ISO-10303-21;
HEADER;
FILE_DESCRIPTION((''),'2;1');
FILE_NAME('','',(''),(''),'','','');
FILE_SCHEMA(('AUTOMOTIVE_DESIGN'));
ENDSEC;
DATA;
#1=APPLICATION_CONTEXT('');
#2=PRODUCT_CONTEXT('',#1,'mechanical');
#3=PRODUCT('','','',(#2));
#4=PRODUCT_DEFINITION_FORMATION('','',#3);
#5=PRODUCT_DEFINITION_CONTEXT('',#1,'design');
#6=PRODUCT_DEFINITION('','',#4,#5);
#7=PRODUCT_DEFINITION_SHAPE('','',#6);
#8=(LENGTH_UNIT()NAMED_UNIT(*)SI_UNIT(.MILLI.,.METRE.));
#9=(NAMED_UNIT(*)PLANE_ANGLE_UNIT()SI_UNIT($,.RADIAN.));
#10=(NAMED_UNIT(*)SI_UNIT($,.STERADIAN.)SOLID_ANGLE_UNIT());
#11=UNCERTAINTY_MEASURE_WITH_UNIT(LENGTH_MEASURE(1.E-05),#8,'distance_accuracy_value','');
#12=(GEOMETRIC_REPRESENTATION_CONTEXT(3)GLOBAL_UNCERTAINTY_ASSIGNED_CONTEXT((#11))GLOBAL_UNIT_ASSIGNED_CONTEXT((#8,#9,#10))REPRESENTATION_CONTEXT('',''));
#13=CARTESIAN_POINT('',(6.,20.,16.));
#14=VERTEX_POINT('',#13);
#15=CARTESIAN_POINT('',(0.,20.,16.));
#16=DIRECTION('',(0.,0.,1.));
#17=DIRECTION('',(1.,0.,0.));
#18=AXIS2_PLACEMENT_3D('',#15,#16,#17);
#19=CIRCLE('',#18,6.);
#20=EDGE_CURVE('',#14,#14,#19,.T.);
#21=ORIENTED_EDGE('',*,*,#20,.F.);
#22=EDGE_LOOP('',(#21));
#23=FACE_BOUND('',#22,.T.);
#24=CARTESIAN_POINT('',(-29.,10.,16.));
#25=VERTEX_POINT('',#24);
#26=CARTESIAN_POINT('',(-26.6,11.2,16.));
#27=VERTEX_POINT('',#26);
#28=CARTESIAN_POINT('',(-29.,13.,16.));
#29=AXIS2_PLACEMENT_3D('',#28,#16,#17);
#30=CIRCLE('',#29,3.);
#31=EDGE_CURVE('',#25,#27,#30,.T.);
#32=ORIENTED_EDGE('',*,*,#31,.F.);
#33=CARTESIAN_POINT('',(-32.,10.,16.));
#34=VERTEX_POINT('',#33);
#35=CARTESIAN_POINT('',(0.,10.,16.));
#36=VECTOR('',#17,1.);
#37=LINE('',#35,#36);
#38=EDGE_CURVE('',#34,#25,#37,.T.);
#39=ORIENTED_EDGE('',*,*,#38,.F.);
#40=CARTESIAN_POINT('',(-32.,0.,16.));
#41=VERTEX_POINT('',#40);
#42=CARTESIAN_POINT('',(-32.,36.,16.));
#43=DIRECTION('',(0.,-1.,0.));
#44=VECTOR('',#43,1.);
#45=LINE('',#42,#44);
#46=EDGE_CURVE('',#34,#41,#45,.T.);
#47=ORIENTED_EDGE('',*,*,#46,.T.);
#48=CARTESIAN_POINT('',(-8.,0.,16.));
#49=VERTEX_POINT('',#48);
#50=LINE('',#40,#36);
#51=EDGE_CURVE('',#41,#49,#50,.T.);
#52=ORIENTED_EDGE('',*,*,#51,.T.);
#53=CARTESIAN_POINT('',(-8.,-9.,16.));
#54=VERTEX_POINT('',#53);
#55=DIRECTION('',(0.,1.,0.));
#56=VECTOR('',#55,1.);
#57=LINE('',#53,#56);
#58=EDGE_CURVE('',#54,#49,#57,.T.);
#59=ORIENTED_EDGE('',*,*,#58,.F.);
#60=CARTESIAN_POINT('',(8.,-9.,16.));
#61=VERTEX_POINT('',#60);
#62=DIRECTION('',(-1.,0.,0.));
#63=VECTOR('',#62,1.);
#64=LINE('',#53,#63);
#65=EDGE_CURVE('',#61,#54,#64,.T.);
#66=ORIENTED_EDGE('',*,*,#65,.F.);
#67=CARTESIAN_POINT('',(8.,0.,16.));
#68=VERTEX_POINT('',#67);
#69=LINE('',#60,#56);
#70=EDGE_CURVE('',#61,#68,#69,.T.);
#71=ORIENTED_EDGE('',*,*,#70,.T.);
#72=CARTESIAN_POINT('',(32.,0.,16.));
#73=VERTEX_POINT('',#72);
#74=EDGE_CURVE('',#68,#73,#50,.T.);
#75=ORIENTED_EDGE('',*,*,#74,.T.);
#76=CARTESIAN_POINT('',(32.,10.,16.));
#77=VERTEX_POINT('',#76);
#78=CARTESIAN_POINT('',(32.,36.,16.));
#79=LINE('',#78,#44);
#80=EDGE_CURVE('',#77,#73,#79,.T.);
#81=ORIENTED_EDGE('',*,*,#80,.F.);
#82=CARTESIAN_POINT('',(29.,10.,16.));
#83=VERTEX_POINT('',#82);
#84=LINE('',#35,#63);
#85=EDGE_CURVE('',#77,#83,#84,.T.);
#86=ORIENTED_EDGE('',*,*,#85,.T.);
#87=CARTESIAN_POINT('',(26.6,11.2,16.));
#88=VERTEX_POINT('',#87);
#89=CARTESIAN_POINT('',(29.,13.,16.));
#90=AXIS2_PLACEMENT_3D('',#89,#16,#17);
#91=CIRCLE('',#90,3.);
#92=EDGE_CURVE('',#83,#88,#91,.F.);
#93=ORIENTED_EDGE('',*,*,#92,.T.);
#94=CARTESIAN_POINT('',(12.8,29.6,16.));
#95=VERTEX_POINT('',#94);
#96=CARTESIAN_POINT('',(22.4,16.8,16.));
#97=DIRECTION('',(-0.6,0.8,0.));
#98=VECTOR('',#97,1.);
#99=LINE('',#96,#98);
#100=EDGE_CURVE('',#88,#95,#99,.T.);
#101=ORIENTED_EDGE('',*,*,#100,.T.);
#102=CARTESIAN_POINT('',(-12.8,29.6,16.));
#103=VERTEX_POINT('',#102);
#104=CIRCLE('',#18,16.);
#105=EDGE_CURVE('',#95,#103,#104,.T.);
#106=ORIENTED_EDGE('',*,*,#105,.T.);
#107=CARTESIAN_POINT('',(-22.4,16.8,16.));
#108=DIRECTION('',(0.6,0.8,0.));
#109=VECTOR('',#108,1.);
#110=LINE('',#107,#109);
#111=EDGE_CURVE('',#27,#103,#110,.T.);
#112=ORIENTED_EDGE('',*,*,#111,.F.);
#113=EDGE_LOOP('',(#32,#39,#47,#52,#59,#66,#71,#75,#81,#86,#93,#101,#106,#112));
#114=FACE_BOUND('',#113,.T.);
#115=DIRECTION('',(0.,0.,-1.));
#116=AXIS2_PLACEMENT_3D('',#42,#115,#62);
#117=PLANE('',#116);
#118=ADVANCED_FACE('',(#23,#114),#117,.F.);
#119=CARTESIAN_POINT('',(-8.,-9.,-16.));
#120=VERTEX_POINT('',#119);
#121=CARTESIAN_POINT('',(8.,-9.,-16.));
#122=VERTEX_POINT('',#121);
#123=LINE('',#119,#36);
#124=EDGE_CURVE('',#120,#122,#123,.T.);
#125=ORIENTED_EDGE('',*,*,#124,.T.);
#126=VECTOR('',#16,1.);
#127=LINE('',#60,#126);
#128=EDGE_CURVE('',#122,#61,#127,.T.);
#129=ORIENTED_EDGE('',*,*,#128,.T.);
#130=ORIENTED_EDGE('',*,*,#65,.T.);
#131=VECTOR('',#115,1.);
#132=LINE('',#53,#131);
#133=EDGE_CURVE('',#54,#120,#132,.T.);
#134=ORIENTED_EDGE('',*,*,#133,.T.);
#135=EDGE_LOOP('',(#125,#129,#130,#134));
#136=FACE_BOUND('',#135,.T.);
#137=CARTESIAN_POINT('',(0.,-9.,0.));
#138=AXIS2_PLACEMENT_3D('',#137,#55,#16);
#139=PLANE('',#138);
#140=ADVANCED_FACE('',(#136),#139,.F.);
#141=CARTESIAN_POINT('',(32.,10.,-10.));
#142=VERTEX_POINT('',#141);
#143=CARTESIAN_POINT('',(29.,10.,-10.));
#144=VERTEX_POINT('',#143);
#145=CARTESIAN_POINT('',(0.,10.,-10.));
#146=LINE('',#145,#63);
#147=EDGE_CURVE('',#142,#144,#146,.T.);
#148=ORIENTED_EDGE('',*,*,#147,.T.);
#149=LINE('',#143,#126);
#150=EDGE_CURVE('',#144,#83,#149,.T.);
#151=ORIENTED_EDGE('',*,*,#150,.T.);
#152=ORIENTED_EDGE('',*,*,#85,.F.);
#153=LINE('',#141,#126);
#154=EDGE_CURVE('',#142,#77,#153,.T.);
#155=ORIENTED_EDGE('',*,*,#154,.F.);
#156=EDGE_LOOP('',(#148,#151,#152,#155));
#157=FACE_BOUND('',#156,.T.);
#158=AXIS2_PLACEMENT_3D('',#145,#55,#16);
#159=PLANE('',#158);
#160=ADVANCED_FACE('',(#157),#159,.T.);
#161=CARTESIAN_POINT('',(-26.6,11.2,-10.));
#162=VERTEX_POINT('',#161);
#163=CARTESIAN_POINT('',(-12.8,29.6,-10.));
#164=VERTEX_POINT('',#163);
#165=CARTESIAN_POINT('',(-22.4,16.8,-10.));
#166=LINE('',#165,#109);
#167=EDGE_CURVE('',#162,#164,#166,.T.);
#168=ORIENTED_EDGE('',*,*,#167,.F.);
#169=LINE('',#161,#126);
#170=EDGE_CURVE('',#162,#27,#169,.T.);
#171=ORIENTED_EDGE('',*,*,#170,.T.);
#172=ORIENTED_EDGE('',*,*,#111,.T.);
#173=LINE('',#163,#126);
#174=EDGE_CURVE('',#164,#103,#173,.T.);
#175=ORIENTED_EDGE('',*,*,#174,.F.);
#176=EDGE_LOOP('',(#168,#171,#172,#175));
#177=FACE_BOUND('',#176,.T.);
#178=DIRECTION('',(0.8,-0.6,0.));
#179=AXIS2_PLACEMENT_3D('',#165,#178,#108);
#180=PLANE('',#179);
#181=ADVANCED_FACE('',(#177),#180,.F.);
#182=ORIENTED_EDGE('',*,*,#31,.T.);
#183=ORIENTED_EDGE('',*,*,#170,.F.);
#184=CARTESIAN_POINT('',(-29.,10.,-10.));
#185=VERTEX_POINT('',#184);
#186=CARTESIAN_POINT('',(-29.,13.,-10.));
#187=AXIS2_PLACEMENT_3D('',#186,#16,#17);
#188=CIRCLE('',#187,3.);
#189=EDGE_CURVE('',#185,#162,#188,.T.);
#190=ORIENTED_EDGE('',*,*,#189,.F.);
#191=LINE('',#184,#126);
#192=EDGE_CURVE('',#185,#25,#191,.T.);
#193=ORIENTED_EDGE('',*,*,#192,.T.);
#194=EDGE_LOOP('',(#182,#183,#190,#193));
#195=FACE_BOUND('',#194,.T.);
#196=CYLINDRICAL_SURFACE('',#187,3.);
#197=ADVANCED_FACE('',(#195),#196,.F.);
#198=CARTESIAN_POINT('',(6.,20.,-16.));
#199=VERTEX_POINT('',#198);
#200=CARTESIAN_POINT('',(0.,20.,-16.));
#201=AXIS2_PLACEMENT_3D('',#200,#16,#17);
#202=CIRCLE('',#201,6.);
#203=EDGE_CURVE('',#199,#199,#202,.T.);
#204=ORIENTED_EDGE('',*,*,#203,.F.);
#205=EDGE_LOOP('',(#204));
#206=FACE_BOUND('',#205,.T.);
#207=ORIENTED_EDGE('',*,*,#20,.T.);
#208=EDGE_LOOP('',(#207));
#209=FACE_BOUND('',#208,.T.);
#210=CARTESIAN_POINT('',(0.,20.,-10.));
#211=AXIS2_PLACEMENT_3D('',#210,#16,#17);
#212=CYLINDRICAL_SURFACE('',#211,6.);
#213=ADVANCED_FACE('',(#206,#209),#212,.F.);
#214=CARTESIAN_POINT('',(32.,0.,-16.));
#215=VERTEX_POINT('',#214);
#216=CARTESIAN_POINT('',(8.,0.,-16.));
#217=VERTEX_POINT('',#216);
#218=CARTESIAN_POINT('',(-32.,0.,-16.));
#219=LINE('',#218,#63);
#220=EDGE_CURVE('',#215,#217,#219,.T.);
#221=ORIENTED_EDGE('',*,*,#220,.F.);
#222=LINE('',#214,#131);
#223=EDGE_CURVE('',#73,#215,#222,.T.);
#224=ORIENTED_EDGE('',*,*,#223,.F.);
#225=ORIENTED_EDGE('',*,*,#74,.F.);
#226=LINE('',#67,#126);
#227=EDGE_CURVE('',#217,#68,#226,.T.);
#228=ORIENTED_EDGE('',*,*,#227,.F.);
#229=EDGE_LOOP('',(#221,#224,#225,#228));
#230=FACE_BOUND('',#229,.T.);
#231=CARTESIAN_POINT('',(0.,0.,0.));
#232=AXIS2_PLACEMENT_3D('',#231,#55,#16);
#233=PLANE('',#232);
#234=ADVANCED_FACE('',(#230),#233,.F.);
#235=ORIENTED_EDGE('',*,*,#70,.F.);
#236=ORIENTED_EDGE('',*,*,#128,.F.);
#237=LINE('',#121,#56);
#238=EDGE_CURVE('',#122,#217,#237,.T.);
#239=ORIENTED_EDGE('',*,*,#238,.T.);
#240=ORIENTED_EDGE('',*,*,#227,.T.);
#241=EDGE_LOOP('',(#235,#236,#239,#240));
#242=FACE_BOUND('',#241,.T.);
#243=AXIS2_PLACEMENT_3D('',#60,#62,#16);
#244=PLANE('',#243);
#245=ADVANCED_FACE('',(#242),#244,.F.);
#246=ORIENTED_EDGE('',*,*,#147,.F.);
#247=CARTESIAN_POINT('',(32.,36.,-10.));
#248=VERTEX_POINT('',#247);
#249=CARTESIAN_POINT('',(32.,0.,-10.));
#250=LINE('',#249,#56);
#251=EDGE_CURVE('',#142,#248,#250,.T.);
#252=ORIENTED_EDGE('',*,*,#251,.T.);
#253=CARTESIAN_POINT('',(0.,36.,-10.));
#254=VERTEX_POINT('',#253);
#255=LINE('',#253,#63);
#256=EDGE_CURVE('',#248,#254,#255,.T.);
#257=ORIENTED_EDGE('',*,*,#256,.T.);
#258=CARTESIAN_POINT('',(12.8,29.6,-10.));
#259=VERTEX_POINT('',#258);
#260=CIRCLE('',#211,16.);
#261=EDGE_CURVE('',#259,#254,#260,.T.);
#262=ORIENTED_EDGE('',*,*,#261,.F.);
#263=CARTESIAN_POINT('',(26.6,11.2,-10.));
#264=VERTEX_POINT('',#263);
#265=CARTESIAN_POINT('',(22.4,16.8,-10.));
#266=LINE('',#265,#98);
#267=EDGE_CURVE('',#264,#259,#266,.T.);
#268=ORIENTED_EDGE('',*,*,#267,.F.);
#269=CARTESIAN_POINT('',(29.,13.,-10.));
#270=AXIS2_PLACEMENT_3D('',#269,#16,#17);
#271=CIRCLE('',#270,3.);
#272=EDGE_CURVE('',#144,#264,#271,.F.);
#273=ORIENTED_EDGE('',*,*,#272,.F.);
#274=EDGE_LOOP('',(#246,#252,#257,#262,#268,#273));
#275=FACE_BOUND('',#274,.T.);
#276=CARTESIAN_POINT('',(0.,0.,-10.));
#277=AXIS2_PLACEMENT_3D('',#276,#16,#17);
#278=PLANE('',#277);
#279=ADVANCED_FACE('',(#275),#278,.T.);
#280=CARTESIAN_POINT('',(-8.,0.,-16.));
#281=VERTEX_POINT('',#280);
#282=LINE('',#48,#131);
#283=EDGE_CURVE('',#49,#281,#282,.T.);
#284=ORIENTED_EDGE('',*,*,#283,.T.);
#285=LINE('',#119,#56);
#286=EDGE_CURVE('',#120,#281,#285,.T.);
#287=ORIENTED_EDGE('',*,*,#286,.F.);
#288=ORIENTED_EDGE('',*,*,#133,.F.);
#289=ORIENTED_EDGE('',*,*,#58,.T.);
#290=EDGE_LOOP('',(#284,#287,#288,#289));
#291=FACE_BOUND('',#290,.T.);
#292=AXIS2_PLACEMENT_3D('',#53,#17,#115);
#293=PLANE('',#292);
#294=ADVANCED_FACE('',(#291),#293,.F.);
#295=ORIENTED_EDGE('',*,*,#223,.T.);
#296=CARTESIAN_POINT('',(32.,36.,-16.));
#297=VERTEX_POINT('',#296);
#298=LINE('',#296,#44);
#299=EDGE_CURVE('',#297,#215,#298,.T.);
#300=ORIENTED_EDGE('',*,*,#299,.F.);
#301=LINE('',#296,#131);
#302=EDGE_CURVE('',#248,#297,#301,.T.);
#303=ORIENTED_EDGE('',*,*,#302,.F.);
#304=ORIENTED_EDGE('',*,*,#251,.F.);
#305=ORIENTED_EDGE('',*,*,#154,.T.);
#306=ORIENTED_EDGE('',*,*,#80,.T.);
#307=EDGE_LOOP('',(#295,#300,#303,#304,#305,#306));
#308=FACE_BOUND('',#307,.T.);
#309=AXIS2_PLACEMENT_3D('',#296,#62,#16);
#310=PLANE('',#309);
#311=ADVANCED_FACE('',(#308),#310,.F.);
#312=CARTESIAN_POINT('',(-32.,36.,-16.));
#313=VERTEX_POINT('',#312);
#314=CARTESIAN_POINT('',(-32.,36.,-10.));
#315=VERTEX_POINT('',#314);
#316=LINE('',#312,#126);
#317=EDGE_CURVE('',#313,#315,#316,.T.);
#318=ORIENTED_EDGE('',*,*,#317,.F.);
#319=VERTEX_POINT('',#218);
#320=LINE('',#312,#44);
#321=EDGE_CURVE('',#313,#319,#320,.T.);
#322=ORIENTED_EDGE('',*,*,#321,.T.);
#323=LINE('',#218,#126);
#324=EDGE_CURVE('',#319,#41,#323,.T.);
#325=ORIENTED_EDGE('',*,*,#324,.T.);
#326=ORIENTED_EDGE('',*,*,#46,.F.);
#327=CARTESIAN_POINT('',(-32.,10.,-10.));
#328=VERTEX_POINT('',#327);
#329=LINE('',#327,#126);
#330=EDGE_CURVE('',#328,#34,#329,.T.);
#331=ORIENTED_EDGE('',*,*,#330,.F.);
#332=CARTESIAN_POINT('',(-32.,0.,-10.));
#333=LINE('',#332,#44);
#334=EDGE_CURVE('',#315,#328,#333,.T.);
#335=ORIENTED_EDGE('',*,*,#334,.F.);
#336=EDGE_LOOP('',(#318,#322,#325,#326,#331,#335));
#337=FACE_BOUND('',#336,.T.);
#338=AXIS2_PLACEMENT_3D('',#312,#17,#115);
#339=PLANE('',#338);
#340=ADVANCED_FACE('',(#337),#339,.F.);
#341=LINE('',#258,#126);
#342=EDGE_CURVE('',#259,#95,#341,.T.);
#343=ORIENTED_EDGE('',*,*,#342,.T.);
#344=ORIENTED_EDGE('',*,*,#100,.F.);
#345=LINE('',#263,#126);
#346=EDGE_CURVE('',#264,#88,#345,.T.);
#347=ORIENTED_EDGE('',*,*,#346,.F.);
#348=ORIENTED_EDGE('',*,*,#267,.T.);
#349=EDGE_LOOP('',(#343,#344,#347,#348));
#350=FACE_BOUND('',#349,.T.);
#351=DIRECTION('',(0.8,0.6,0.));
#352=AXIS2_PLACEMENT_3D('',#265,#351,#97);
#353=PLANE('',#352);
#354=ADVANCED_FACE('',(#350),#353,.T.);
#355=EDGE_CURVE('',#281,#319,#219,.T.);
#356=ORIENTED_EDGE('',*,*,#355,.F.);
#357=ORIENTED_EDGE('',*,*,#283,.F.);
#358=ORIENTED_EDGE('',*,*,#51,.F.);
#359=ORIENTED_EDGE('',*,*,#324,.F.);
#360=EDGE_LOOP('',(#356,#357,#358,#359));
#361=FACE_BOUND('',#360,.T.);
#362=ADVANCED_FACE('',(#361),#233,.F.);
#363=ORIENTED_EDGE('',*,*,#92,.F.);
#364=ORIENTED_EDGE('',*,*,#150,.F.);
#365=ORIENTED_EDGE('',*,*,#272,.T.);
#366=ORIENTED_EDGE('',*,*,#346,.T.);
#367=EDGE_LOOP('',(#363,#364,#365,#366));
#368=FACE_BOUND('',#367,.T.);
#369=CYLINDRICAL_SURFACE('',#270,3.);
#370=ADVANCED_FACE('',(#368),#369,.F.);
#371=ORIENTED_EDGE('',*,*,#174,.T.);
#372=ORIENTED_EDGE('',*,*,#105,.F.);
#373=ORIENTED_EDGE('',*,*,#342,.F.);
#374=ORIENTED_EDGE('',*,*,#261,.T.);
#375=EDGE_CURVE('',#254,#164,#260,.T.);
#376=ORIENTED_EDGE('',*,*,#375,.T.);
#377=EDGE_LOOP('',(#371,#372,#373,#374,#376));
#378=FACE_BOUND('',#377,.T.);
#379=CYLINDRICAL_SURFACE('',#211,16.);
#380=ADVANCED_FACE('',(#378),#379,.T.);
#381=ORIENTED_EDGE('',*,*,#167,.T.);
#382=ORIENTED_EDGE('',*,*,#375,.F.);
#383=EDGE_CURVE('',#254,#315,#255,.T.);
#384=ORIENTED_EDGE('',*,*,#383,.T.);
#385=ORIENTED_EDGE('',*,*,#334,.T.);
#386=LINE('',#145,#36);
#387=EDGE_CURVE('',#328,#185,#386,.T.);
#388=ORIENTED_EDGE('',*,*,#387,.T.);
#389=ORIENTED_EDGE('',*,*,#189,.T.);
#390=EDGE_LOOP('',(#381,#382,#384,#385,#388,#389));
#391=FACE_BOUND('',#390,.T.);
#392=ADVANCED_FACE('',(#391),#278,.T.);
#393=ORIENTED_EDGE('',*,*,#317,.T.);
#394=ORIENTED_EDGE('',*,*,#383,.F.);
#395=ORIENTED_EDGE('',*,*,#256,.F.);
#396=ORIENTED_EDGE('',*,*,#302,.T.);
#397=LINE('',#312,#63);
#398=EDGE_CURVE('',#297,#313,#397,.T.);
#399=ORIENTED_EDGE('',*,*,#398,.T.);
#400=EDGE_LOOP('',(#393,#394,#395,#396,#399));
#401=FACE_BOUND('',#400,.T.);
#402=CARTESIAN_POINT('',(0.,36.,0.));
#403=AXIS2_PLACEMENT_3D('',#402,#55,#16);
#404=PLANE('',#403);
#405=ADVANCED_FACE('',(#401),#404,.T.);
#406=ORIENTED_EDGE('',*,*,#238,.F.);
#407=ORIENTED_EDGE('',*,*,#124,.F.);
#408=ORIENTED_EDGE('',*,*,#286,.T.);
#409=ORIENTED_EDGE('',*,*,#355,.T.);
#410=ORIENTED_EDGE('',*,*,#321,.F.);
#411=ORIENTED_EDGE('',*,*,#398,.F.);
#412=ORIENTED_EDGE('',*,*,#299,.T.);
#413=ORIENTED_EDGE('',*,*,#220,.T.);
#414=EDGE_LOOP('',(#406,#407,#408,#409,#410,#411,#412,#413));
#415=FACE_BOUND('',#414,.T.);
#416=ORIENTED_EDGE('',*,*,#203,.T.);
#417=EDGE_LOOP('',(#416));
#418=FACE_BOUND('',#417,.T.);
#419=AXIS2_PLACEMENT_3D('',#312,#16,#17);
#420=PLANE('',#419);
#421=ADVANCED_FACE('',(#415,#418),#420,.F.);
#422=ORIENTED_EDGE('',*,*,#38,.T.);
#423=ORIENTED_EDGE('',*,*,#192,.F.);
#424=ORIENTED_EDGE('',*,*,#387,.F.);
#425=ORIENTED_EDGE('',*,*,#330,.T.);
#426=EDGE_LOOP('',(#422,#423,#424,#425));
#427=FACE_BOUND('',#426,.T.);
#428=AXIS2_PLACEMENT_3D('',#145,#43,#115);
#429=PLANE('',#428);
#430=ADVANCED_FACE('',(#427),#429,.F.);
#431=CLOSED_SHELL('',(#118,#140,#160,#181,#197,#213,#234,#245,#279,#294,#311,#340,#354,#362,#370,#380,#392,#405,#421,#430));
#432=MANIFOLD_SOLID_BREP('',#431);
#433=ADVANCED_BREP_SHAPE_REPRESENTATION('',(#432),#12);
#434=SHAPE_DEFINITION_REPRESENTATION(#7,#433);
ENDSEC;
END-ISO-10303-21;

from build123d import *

# Parameters (mm, degrees)
SKETCH1_W           = 64
SKETCH1_H           = 32
BOSS_EXTRUDE1_DEPTH = 36
SKETCH3_R           = 6
CUT_EXTRUDE1_DEPTH  = 26
SKETCH4_R           = 6
CUT_EXTRUDE2_DEPTH  = 26
SKETCH5_W           = 16
SKETCH5_H           = 32
BOSS_EXTRUDE3_DEPTH = 9


with BuildPart() as part:
    # Sketch1 → Boss-Extrude1 (new body)
    with BuildSketch(Plane(origin=(0, 0, 0), x_dir=(1, 0, 0), z_dir=(0, 1, 0))):
        Rectangle(SKETCH1_W, SKETCH1_H)
    extrude(amount=BOSS_EXTRUDE1_DEPTH)

    # Sketch3 → Cut-Extrude1 (cut)
    with BuildSketch(Plane.XY.offset(16)):
        with BuildLine():
            Line((-32, 36), (-32, 10))
            Line((-32, 10), (-29, 10))
            ThreePointArc((-29, 10), (-27.658359214, 10.316718427), (-26.6, 11.2))
            Line((-26.6, 11.2), (-12.8, 29.6))
            ThreePointArc((-12.8, 29.6), (-7.155417528, 34.310835056), (0, 36))
            Line((0, 36), (-32, 36))
        make_face()
        with Locations((0, 20)):
            Circle(SKETCH3_R)
        with BuildLine():
            Line((32, 36), (0, 36))
            ThreePointArc((0, 36), (7.155417528, 34.310835056), (12.8, 29.6))
            Line((12.8, 29.6), (26.6, 11.2))
            ThreePointArc((26.6, 11.2), (27.658359214, 10.316718427), (29, 10))
            Line((29, 10), (32, 10))
            Line((32, 10), (32, 36))
        make_face()
    extrude(amount=-CUT_EXTRUDE1_DEPTH, mode=Mode.SUBTRACT)

    # Sketch4 → Cut-Extrude2 (cut)
    with BuildSketch(Plane.XY.offset(-10)):
        with Locations((0, 20)):
            Circle(SKETCH4_R)
    extrude(amount=-CUT_EXTRUDE2_DEPTH, mode=Mode.SUBTRACT)

    # Sketch5 → Boss-Extrude3 (add)
    with BuildSketch(Plane.XZ):
        Rectangle(SKETCH5_W, SKETCH5_H)
    extrude(amount=BOSS_EXTRUDE3_DEPTH)


solid = part.part
